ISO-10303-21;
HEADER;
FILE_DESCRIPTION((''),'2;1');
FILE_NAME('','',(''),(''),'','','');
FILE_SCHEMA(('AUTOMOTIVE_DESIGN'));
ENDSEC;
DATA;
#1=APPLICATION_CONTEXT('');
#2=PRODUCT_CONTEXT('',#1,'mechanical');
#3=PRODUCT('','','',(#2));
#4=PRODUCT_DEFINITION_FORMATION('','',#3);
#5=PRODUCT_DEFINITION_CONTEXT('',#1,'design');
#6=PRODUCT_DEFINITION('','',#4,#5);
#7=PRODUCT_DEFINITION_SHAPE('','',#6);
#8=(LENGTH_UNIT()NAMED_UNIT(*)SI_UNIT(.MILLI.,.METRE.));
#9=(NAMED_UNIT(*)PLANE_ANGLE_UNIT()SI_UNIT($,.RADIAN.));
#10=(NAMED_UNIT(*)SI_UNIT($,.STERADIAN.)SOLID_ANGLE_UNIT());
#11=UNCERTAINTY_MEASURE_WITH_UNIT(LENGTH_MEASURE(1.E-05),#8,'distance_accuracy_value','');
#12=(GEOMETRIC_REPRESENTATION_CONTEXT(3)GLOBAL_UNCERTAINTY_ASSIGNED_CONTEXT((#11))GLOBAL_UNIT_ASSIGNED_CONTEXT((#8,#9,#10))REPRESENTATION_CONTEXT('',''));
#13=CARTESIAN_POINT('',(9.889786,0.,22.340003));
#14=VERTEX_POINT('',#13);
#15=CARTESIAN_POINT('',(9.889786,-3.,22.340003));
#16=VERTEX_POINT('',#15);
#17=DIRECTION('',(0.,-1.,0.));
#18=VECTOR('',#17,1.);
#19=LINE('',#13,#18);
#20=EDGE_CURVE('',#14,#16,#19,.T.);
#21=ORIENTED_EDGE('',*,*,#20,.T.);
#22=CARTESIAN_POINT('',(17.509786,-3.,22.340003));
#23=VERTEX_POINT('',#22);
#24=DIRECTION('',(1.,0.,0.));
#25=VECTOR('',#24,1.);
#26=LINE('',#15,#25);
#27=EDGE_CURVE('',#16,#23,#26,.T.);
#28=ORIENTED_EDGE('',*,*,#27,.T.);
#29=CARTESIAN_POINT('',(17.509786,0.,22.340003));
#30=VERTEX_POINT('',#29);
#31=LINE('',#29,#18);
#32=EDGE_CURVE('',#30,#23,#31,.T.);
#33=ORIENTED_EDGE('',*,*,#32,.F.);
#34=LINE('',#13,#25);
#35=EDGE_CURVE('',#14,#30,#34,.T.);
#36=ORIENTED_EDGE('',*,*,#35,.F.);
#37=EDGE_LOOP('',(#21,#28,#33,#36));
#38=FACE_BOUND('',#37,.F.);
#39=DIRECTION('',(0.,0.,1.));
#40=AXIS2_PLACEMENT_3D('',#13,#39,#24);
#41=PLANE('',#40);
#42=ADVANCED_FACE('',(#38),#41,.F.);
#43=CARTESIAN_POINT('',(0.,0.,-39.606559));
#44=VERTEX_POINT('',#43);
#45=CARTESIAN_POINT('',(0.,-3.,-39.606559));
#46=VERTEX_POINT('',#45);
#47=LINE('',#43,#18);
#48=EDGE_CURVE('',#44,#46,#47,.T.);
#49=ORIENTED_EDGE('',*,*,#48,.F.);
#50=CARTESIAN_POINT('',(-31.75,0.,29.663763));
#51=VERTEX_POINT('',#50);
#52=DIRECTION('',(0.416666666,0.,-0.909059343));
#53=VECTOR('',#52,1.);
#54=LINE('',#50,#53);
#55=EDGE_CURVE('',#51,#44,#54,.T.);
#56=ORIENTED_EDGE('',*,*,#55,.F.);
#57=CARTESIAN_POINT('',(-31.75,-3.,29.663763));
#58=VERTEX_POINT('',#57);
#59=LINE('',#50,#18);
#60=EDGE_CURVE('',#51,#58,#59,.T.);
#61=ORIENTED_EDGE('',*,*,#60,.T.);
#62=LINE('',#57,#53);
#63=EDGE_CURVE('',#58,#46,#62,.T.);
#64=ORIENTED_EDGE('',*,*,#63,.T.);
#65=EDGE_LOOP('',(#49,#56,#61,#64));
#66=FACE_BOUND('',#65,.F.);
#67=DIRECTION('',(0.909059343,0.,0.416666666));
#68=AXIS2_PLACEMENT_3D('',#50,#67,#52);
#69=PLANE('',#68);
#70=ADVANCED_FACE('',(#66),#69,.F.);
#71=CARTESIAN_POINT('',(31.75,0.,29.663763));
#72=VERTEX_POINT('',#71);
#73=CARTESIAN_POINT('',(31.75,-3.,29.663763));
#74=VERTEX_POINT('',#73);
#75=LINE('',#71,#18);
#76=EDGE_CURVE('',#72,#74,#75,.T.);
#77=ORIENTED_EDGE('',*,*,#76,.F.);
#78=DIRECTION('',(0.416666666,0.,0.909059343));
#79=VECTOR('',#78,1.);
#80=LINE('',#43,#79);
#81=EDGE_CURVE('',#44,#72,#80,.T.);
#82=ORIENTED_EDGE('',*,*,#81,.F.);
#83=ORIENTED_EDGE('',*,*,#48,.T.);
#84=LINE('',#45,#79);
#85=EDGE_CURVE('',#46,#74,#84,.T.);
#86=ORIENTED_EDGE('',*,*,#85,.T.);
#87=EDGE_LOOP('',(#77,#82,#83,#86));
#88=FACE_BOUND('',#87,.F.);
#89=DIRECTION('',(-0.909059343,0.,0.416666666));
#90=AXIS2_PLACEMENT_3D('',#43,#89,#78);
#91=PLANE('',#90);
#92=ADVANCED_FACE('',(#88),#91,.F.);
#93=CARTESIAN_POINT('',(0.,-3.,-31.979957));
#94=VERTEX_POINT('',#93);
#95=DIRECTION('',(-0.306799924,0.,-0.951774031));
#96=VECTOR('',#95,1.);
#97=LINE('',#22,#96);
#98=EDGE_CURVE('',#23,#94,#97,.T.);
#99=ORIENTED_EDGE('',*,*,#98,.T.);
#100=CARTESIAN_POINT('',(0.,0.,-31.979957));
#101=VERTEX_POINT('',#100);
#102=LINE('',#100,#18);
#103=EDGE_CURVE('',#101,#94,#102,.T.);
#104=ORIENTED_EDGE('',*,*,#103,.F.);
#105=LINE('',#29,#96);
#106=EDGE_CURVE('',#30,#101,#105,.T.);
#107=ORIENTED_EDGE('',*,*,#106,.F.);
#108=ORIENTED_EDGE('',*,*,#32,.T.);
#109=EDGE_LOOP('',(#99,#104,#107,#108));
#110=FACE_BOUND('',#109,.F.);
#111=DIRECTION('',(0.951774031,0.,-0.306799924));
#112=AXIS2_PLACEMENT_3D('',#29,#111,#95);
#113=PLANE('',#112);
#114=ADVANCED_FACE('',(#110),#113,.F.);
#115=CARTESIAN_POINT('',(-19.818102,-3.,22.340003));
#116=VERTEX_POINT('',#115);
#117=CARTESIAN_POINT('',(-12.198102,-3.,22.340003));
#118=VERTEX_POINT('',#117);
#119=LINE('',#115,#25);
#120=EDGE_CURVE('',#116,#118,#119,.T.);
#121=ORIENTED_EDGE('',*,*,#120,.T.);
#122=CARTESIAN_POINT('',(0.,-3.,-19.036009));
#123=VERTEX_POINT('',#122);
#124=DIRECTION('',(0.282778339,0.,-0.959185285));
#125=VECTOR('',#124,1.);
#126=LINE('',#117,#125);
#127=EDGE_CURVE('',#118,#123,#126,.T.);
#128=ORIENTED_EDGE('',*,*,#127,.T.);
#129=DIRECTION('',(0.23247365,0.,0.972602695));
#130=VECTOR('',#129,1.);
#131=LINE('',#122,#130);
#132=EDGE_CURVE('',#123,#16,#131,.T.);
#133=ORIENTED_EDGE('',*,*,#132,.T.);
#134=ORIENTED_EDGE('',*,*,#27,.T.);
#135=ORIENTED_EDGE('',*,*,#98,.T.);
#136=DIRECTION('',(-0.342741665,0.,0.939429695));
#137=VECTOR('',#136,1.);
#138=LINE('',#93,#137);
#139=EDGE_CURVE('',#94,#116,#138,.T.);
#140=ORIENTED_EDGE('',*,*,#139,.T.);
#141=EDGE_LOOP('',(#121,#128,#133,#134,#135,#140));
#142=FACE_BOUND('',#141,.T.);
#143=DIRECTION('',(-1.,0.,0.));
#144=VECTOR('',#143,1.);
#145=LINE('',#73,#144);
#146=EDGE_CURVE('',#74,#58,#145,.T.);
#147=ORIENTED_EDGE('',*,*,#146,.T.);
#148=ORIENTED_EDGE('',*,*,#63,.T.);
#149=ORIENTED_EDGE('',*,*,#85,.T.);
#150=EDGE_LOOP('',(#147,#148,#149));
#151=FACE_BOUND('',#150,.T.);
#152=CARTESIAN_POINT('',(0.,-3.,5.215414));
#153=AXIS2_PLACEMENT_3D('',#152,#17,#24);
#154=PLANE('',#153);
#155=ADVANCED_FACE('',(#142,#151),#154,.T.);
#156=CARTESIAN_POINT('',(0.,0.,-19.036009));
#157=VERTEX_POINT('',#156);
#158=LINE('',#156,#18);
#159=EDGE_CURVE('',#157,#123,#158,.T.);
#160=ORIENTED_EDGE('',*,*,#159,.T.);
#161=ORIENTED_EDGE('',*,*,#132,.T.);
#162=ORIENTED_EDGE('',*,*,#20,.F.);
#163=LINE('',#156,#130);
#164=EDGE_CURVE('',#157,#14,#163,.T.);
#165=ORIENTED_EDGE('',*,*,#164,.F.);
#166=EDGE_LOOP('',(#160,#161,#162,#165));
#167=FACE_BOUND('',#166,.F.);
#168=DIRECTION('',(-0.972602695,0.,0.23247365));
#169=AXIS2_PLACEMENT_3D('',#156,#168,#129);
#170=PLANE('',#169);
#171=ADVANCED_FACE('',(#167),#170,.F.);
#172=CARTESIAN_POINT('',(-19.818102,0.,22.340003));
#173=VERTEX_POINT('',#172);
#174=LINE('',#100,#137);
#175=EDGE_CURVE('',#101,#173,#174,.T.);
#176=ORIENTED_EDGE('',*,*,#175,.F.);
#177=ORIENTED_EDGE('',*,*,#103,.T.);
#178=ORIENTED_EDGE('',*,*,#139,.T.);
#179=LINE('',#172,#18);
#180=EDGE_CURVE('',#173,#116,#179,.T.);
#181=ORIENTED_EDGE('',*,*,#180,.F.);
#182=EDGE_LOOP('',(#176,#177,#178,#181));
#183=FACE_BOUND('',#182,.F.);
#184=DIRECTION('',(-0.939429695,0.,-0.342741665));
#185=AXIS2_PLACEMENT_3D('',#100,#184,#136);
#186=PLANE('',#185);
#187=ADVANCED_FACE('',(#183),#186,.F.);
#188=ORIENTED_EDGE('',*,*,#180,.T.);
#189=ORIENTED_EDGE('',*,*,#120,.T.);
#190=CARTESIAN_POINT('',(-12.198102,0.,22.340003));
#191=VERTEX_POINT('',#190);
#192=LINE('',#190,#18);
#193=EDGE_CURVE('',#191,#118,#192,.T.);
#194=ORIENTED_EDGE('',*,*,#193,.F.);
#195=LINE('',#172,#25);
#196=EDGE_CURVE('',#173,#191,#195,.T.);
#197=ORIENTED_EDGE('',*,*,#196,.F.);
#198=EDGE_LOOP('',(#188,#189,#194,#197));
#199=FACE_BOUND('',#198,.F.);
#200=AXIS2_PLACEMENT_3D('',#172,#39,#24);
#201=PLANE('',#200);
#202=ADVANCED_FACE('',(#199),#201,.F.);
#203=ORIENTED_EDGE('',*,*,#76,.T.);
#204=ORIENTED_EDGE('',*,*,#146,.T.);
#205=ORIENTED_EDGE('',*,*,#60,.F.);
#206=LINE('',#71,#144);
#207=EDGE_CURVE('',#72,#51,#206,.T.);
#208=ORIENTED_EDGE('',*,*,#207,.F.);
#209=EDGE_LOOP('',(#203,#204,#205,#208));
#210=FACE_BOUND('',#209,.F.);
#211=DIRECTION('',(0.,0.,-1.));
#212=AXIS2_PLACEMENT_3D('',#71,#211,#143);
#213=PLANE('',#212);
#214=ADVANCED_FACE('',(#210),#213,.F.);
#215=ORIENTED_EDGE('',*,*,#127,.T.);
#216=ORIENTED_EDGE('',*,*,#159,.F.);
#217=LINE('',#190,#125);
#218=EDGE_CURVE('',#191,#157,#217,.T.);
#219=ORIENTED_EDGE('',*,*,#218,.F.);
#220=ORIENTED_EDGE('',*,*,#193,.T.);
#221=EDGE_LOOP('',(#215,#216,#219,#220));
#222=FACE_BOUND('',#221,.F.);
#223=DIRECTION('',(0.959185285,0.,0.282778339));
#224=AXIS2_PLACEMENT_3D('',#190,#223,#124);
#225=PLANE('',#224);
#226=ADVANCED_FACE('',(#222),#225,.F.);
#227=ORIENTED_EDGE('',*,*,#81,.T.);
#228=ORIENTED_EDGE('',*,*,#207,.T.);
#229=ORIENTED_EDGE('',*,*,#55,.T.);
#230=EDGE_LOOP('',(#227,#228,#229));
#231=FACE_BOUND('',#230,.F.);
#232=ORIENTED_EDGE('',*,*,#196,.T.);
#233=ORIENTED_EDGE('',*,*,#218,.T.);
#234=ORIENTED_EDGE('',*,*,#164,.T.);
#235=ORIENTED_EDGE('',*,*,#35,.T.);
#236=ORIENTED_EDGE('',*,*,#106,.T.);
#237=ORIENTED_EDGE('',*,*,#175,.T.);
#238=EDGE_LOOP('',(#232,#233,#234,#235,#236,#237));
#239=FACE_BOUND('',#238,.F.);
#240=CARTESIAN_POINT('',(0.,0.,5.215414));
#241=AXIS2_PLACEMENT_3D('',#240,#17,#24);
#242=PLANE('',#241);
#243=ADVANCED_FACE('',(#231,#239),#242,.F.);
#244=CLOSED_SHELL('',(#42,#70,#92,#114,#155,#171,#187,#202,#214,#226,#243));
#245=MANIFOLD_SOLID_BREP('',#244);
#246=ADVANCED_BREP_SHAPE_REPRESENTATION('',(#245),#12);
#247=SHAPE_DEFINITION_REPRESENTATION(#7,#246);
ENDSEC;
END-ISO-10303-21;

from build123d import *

# Parameters (mm, degrees)
F1_DEPTH = 3


with BuildPart() as f1:
    # F0 (on Front) → F1 (new body)
    with BuildSketch(Plane.XZ):
        Polygon((31.75, 29.663763), (-31.75, 29.663763), (0, -39.606559), align=None)
        Polygon((0, -31.979957), (-19.818102, 22.340003), (-12.198102, 22.340003), (0, -19.036009), (9.889786, 22.340003), (17.509786, 22.340003), align=None, mode=Mode.SUBTRACT)
    extrude(amount=F1_DEPTH)


solid = f1.part
